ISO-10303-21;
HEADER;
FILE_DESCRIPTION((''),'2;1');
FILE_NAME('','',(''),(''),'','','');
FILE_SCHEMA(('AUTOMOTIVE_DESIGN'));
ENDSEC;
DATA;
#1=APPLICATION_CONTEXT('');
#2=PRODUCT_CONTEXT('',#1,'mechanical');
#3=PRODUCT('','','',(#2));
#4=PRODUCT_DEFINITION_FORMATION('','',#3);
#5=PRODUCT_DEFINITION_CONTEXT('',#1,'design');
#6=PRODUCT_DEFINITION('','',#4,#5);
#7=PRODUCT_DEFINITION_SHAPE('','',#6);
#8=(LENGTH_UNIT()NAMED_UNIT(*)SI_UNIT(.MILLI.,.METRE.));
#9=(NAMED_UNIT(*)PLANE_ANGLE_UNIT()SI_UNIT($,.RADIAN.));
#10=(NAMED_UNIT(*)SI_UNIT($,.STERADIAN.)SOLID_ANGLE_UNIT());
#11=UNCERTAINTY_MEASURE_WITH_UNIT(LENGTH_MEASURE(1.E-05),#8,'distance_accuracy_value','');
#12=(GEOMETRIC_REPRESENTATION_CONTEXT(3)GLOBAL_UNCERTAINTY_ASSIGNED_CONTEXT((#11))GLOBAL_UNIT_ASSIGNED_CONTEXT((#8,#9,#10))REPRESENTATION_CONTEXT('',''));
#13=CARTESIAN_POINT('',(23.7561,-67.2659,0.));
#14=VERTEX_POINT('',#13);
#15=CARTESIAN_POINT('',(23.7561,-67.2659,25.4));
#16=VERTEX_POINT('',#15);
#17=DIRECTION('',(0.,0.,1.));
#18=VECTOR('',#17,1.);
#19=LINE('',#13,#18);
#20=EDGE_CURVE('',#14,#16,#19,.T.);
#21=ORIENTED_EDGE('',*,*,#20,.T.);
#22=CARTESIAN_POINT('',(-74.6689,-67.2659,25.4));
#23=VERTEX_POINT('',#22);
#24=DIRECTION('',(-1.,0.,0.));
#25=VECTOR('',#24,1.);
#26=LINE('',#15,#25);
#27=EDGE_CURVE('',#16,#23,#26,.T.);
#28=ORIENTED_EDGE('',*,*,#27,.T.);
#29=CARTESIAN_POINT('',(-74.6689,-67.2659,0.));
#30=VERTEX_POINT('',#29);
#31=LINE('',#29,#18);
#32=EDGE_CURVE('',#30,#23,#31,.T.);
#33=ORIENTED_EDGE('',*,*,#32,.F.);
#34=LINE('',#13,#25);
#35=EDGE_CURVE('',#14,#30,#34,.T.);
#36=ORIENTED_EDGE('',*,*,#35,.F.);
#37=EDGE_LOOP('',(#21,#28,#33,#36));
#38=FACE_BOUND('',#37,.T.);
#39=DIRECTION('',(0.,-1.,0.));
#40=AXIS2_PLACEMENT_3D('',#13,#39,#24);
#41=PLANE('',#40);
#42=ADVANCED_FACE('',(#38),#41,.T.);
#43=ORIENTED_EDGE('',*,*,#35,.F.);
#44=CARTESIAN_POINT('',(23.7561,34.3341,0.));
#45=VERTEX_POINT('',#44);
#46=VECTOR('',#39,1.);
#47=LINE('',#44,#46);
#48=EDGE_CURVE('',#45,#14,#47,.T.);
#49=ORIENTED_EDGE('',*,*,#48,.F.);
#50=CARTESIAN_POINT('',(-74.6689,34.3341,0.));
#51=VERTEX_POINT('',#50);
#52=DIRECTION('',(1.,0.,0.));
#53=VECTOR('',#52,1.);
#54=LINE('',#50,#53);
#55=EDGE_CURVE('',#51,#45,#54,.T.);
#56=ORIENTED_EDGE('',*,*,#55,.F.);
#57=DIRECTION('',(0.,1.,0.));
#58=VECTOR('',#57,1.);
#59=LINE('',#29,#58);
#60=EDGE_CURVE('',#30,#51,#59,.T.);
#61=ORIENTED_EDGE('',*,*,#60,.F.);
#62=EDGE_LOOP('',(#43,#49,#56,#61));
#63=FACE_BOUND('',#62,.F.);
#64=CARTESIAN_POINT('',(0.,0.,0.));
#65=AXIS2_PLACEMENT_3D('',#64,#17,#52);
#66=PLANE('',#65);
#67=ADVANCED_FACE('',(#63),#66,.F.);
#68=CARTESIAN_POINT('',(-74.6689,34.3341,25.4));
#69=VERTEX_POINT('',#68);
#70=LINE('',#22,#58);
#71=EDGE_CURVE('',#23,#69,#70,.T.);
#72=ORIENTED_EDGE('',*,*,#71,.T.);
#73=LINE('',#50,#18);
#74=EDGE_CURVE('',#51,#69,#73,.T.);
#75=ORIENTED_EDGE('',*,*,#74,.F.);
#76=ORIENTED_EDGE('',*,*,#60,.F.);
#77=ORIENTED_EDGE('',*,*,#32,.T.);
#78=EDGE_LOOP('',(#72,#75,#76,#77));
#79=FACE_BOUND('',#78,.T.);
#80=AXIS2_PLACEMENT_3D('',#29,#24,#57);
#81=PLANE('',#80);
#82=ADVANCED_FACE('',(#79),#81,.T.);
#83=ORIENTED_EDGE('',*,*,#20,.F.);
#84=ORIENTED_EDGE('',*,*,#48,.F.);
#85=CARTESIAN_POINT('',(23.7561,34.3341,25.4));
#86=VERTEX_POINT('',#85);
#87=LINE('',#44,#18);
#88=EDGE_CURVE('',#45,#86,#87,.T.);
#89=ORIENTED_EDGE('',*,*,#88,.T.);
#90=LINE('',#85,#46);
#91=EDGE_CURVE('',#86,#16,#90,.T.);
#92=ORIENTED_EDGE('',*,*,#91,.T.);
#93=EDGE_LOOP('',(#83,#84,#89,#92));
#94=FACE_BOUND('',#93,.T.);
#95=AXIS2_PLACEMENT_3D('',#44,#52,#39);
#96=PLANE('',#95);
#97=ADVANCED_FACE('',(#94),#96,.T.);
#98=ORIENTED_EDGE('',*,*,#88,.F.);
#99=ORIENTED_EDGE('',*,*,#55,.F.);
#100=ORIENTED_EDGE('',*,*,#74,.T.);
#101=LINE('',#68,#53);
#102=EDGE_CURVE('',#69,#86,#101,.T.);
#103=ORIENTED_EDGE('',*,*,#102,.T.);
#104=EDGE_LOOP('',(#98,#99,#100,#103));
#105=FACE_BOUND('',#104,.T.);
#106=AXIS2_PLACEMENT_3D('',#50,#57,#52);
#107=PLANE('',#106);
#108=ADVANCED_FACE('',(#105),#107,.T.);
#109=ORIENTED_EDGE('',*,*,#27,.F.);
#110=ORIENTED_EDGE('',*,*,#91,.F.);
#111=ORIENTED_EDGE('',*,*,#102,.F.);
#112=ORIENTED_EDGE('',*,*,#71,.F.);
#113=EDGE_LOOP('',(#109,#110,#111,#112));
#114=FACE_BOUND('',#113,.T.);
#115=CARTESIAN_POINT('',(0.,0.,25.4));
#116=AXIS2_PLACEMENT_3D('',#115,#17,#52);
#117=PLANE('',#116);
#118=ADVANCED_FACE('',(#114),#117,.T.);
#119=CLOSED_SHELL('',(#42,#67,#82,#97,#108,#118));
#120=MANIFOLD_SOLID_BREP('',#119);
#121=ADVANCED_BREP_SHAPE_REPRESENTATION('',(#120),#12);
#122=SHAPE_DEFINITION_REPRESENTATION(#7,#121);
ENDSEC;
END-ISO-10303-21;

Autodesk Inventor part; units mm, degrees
ref_plane "YZ Plane" through (0, 0, 0) normal (1, 0, 0) x (0, 1, 0)
ref_plane "XZ Plane" through (0, 0, 0) normal (0, 1, 0) x (-1, 0, 0)
ref_plane "XY Plane" through (0, 0, 0) normal (0, 0, 1) x (1, 0, 0)
sketch "Sketch1" plane through (0, 0, 0) normal (0, 0, 1) x (1, 0, 0)
  line L0 (-74.6689, 34.3341) -> (23.7561, 34.3341)
  line L1 (23.7561, 34.3341) -> (23.7561, -67.2659)
  line L2 (23.7561, -67.2659) -> (-74.6689, -67.2659)
  line L3 (-74.6689, -67.2659) -> (-74.6689, 34.3341)
  point P0 (0, 0)
  dimension "d0" = 98.425
  dimension "d1" = 101.6
extrude "Extrusion1" add sketch "Sketch1" along normal blind 25.4
properties part number "D LINK"
